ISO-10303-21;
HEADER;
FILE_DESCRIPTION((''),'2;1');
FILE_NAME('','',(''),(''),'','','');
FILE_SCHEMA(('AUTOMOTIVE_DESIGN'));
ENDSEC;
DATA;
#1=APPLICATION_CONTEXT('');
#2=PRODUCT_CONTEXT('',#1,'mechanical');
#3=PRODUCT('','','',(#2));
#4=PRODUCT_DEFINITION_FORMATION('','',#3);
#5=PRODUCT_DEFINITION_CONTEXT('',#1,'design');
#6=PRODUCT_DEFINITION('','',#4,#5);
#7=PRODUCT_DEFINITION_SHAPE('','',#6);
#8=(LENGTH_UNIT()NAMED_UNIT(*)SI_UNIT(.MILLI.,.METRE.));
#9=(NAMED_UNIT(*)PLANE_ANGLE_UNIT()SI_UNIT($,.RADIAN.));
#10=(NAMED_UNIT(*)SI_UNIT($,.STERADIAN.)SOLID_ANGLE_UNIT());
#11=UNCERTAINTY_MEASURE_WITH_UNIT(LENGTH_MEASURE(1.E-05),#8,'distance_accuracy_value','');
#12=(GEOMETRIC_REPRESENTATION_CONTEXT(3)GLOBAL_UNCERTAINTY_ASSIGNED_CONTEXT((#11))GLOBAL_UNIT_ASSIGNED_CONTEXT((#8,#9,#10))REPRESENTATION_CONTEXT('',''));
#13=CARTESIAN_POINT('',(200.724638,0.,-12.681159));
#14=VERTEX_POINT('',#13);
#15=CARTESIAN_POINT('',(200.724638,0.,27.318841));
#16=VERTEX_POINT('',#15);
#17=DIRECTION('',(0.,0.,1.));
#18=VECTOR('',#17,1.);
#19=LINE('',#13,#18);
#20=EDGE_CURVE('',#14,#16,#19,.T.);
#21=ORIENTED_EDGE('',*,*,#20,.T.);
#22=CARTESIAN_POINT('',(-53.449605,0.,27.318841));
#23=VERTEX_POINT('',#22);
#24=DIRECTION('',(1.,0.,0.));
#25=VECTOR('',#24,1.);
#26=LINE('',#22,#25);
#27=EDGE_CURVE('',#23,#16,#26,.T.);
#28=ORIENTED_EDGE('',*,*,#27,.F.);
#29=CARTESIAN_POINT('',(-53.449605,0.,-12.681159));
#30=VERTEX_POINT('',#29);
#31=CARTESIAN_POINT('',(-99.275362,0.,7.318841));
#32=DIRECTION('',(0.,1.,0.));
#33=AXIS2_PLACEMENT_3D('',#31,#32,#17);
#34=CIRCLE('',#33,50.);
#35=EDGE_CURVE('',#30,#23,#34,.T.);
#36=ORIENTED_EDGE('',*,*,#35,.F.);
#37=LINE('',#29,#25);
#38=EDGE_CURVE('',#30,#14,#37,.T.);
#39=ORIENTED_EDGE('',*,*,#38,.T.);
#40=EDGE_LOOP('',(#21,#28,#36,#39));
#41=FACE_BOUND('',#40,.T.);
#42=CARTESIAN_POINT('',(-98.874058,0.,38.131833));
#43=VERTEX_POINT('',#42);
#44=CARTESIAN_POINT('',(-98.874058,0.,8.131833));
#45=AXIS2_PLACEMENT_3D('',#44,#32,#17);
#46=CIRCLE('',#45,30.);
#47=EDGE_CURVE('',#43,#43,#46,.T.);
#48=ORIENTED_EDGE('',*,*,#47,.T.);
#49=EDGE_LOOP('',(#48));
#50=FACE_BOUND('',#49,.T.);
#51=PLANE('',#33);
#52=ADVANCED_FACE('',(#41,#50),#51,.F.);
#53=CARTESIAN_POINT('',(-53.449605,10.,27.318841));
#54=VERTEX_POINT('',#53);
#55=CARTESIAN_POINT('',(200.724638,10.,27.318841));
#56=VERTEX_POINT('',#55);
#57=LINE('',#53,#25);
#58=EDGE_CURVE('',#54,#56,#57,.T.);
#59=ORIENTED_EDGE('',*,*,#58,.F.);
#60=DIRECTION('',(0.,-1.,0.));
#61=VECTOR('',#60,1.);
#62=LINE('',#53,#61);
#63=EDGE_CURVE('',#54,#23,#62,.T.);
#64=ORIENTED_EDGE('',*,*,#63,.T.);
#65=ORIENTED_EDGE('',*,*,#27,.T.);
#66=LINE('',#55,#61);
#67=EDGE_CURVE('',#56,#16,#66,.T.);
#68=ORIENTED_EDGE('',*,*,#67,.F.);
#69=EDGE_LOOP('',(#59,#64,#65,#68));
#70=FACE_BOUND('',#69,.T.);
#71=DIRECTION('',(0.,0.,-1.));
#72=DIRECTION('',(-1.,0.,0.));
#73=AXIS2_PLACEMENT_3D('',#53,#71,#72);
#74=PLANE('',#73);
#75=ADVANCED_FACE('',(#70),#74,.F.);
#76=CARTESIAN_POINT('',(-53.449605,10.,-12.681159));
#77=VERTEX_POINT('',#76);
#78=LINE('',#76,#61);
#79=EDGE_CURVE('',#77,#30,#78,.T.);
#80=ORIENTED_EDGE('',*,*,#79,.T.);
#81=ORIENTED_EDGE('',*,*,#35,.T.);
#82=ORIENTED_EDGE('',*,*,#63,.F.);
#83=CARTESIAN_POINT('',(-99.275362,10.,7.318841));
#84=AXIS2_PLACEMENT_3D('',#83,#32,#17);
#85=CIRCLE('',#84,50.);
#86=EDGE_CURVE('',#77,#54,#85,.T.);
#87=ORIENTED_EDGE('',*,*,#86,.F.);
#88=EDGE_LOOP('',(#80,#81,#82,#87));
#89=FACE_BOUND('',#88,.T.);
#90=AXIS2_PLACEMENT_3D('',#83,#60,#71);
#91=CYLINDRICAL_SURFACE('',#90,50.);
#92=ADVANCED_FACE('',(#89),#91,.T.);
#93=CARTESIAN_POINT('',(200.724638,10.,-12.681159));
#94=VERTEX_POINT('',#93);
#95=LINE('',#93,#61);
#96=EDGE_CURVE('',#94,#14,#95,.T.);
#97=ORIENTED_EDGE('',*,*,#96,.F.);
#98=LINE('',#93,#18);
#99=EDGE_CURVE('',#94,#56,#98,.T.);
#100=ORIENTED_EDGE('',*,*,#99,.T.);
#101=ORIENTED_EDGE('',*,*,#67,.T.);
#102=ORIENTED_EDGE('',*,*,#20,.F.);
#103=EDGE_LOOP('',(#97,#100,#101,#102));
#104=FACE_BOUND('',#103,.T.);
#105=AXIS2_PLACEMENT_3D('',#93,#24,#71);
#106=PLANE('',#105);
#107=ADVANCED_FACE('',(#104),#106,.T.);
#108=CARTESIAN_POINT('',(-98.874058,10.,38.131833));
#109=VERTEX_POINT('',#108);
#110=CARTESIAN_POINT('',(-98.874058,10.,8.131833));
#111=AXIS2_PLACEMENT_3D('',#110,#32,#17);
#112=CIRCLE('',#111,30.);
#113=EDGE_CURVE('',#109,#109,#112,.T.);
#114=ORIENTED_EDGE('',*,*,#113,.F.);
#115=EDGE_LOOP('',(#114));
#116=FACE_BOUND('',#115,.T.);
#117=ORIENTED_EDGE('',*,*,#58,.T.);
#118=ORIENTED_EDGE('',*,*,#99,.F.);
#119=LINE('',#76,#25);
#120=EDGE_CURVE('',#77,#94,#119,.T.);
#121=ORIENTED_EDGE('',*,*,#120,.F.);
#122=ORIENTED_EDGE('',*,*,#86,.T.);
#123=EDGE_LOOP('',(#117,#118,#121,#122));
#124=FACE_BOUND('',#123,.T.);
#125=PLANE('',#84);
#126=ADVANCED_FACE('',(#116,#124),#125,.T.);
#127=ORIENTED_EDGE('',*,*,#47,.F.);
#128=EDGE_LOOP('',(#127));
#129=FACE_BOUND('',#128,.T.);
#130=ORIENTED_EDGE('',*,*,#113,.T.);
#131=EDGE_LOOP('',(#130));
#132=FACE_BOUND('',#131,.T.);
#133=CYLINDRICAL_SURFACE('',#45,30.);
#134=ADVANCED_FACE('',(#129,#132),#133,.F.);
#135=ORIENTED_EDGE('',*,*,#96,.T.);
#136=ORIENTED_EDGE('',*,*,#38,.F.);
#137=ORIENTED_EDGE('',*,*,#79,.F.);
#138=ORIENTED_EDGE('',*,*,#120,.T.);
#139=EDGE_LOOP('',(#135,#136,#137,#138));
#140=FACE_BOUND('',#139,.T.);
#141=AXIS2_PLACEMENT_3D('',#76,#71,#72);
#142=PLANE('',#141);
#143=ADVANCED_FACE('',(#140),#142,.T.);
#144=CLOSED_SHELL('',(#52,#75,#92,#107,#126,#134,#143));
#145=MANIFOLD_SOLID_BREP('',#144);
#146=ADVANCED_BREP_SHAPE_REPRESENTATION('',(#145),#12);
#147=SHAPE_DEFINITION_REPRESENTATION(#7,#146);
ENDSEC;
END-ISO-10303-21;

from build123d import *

# Parameters (mm, degrees)
BOSS_EXTRUDE1_DEPTH = 10
SKETCH2_R           = 30
CUT_EXTRUDE1_DEPTH  = 11


with BuildPart() as part:
    # Sketch1 → Boss-Extrude1 (new body)
    with BuildSketch(Plane(origin=(0, 0, 0), x_dir=(1, 0, 0), z_dir=(0, 1, 0))):
        with BuildLine():
            Line((-53.449605369, 12.68115942), (200.724637681, 12.68115942))
            Line((200.724637681, 12.68115942), (200.724637681, -27.31884058))
            Line((200.724637681, -27.31884058), (-53.449605369, -27.31884058))
            ThreePointArc((-53.449605369, -27.31884058), (-149.275362319, -7.31884058), (-53.449605369, 12.68115942))
        make_face()
    extrude(amount=BOSS_EXTRUDE1_DEPTH)

    # Sketch2 → Cut-Extrude1 (cut, through all)
    with BuildSketch(Plane(origin=(0, 10, 0), x_dir=(1, 0, 0), z_dir=(0, 1, 0))):
        with Locations((-98.874058495, -8.131832766)):
            Circle(SKETCH2_R)
    extrude(amount=-CUT_EXTRUDE1_DEPTH, mode=Mode.SUBTRACT)


solid = part.part
